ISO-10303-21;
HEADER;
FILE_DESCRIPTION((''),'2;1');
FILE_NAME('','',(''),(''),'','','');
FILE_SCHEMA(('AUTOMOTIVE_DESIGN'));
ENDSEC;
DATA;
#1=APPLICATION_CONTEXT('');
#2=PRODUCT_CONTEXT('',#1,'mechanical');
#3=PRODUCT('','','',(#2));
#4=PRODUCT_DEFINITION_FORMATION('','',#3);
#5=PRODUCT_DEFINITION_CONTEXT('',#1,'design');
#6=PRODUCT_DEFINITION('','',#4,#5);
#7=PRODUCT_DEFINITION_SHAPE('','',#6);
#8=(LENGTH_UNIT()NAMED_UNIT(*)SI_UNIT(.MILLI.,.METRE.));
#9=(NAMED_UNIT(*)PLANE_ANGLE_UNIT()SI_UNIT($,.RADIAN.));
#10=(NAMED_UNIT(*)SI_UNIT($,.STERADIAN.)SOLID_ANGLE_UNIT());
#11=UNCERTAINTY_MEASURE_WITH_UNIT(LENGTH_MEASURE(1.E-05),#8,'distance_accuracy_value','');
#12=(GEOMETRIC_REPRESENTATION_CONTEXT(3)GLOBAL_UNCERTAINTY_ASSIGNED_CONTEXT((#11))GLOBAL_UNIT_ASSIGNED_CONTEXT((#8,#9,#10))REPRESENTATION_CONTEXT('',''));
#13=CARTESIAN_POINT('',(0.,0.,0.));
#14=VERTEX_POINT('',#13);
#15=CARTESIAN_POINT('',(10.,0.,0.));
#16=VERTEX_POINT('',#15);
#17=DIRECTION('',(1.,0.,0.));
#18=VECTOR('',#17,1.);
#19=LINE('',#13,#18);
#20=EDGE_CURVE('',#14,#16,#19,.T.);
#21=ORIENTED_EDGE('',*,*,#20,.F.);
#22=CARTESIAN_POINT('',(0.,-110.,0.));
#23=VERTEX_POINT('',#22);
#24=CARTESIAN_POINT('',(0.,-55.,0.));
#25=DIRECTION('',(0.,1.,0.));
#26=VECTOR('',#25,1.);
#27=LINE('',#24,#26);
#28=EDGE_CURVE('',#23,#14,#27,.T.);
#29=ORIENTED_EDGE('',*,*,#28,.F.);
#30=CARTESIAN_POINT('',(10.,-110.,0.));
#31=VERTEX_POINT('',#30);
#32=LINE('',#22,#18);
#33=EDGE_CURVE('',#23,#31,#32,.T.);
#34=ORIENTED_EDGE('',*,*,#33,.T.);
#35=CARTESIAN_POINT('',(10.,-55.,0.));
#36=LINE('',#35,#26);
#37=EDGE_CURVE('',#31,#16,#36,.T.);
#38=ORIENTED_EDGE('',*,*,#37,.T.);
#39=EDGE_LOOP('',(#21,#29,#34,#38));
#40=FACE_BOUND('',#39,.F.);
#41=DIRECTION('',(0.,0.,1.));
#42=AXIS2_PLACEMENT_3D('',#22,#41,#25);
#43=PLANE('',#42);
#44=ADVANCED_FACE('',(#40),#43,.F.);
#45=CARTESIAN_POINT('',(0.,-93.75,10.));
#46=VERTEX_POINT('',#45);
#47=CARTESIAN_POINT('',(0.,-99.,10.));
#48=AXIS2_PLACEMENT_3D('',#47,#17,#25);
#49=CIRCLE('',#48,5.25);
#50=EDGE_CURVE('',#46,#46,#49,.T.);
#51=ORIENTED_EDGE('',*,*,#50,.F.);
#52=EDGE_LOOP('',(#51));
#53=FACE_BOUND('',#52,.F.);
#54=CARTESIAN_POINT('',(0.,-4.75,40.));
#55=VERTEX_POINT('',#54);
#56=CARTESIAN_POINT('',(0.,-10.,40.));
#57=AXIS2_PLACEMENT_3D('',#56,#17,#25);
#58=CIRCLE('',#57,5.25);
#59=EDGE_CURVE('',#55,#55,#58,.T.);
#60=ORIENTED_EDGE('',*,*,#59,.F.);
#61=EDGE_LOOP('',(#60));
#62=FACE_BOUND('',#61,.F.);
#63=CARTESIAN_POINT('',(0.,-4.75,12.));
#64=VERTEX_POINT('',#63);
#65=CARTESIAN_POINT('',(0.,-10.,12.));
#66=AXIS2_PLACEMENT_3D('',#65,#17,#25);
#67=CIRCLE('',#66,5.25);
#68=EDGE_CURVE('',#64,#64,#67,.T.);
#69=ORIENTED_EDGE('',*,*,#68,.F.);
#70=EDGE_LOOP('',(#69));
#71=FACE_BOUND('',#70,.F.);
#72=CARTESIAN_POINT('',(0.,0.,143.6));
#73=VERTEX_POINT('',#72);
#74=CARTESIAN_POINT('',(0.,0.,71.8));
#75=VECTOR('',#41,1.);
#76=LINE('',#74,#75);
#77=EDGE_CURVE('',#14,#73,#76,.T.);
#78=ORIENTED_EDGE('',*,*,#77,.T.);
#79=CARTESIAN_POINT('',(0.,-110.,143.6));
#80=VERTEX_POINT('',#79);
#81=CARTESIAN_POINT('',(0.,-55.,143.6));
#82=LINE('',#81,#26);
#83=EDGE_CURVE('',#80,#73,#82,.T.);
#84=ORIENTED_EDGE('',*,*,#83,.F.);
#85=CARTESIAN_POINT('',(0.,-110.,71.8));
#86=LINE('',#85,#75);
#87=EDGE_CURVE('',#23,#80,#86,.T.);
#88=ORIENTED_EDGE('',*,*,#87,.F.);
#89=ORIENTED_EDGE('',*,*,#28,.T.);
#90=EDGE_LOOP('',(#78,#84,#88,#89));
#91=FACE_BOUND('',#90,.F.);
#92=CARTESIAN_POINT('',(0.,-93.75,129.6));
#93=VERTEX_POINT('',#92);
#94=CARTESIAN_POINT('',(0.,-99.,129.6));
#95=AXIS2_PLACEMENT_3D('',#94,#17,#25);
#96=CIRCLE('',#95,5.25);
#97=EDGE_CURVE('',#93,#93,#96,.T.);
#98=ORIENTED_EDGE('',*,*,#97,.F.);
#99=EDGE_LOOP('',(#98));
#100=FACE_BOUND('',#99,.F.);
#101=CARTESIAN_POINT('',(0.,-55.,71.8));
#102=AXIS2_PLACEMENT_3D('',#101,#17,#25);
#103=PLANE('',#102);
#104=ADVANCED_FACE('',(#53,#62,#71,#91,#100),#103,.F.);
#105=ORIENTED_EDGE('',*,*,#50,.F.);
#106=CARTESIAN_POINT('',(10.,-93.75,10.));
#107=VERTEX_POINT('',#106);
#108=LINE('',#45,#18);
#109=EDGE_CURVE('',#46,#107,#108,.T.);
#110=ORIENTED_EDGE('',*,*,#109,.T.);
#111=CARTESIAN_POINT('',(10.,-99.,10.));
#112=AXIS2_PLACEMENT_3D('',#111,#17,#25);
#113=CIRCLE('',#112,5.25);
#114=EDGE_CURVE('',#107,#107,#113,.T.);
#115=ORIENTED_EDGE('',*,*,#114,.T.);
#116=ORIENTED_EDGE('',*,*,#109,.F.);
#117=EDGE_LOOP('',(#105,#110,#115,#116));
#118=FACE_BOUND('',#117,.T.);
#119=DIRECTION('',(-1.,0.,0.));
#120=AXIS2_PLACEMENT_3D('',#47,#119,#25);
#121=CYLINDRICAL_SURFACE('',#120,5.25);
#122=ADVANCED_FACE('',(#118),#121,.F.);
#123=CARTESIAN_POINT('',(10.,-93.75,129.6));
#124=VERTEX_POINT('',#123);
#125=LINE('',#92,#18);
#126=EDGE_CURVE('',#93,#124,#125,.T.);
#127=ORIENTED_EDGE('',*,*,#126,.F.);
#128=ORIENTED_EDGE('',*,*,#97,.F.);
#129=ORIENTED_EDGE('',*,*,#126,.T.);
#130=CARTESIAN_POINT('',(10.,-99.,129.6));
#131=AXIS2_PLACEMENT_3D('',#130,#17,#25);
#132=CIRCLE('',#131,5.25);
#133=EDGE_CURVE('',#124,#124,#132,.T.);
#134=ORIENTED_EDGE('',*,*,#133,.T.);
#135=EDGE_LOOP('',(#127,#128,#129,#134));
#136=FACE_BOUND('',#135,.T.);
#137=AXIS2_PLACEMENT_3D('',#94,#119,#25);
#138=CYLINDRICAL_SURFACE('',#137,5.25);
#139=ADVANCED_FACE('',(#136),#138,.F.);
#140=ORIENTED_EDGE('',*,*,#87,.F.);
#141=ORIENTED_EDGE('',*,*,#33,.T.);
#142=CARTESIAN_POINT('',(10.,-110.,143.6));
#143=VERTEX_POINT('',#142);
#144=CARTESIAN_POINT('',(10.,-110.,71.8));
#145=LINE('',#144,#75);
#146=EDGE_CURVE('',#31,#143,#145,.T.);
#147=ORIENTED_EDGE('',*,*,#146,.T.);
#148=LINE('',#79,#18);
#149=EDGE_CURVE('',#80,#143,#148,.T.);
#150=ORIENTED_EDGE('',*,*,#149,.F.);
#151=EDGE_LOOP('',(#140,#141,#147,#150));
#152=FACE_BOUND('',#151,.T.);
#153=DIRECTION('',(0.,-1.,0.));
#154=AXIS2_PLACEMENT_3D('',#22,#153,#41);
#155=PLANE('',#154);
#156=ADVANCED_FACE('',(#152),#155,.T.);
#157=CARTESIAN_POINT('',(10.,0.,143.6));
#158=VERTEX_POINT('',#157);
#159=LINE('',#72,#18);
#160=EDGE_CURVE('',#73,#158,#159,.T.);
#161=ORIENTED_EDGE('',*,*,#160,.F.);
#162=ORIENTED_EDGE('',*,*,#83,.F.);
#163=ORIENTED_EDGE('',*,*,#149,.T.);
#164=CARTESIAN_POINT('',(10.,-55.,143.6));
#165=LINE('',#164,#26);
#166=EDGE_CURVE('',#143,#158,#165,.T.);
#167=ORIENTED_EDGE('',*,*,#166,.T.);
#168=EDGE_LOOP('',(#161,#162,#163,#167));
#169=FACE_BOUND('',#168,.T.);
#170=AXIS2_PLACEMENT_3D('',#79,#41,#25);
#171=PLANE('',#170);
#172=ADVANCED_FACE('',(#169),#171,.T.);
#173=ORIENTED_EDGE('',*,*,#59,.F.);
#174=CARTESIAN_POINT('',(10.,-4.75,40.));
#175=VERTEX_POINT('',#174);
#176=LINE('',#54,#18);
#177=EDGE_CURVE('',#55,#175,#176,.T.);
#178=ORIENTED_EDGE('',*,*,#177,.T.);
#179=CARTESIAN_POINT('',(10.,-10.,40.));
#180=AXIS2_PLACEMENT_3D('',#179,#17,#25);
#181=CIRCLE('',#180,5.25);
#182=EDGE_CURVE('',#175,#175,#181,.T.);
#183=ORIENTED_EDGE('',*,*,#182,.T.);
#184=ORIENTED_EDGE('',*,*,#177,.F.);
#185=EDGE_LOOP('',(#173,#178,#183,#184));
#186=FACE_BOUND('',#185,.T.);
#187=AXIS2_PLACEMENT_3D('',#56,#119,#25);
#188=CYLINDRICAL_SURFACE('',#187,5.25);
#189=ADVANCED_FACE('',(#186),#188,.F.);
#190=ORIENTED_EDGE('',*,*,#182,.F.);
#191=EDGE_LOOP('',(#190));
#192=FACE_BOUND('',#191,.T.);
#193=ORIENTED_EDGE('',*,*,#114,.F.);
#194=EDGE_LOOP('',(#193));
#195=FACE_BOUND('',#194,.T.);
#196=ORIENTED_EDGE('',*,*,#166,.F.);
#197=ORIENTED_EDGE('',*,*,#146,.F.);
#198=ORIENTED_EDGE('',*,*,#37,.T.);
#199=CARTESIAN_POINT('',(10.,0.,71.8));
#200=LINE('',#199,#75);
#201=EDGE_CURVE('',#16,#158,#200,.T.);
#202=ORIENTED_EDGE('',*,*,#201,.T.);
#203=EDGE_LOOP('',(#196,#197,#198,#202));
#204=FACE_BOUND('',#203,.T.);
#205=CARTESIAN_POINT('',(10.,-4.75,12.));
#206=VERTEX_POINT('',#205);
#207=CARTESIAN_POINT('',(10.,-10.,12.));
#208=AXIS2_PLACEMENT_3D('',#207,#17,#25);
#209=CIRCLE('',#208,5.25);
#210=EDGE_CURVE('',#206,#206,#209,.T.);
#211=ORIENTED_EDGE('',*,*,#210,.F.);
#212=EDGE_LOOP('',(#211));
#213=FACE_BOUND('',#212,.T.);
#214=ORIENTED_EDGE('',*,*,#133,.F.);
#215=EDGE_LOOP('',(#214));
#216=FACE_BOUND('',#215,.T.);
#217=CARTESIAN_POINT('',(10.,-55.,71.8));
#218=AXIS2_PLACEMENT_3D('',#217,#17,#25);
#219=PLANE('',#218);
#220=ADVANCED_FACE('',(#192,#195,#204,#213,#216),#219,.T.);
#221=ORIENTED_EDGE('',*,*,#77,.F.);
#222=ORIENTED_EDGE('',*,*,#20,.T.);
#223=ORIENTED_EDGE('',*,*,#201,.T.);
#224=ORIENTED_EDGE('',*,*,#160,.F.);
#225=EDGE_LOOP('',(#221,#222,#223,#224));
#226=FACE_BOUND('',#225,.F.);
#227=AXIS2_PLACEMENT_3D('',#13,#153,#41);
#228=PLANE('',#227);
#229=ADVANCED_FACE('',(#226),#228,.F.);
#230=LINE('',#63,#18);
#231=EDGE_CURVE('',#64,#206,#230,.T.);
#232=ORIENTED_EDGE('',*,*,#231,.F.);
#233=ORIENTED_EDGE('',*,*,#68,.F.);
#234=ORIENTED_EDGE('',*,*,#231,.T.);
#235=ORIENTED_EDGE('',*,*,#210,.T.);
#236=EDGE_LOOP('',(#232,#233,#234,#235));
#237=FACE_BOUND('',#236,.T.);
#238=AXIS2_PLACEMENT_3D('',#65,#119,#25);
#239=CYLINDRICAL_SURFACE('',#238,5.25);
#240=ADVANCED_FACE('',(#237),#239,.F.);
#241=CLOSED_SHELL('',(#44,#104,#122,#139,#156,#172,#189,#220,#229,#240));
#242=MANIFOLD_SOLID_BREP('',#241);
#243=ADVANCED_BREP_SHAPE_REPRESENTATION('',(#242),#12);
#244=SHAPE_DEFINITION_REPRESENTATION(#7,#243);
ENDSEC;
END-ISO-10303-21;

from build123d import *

# Parameters (mm, degrees)
F0_W     = 110
F0_H     = 143.6
F0_R     = 5.25
F1_DEPTH = 10


with BuildPart() as f1:
    # F0 (on Right) → F1 (new body)
    with BuildSketch(Plane.YZ):
        with Locations((-55, 71.8)):
            Rectangle(F0_W, F0_H)
        with Locations((-99, 10)):
            Circle(F0_R, mode=Mode.SUBTRACT)
        with Locations((-10, 12)):
            Circle(F0_R, mode=Mode.SUBTRACT)
        with Locations((-10, 40)):
            Circle(F0_R, mode=Mode.SUBTRACT)
        with Locations((-99, 129.6)):
            Circle(F0_R, mode=Mode.SUBTRACT)
    extrude(amount=F1_DEPTH)


solid = f1.part
